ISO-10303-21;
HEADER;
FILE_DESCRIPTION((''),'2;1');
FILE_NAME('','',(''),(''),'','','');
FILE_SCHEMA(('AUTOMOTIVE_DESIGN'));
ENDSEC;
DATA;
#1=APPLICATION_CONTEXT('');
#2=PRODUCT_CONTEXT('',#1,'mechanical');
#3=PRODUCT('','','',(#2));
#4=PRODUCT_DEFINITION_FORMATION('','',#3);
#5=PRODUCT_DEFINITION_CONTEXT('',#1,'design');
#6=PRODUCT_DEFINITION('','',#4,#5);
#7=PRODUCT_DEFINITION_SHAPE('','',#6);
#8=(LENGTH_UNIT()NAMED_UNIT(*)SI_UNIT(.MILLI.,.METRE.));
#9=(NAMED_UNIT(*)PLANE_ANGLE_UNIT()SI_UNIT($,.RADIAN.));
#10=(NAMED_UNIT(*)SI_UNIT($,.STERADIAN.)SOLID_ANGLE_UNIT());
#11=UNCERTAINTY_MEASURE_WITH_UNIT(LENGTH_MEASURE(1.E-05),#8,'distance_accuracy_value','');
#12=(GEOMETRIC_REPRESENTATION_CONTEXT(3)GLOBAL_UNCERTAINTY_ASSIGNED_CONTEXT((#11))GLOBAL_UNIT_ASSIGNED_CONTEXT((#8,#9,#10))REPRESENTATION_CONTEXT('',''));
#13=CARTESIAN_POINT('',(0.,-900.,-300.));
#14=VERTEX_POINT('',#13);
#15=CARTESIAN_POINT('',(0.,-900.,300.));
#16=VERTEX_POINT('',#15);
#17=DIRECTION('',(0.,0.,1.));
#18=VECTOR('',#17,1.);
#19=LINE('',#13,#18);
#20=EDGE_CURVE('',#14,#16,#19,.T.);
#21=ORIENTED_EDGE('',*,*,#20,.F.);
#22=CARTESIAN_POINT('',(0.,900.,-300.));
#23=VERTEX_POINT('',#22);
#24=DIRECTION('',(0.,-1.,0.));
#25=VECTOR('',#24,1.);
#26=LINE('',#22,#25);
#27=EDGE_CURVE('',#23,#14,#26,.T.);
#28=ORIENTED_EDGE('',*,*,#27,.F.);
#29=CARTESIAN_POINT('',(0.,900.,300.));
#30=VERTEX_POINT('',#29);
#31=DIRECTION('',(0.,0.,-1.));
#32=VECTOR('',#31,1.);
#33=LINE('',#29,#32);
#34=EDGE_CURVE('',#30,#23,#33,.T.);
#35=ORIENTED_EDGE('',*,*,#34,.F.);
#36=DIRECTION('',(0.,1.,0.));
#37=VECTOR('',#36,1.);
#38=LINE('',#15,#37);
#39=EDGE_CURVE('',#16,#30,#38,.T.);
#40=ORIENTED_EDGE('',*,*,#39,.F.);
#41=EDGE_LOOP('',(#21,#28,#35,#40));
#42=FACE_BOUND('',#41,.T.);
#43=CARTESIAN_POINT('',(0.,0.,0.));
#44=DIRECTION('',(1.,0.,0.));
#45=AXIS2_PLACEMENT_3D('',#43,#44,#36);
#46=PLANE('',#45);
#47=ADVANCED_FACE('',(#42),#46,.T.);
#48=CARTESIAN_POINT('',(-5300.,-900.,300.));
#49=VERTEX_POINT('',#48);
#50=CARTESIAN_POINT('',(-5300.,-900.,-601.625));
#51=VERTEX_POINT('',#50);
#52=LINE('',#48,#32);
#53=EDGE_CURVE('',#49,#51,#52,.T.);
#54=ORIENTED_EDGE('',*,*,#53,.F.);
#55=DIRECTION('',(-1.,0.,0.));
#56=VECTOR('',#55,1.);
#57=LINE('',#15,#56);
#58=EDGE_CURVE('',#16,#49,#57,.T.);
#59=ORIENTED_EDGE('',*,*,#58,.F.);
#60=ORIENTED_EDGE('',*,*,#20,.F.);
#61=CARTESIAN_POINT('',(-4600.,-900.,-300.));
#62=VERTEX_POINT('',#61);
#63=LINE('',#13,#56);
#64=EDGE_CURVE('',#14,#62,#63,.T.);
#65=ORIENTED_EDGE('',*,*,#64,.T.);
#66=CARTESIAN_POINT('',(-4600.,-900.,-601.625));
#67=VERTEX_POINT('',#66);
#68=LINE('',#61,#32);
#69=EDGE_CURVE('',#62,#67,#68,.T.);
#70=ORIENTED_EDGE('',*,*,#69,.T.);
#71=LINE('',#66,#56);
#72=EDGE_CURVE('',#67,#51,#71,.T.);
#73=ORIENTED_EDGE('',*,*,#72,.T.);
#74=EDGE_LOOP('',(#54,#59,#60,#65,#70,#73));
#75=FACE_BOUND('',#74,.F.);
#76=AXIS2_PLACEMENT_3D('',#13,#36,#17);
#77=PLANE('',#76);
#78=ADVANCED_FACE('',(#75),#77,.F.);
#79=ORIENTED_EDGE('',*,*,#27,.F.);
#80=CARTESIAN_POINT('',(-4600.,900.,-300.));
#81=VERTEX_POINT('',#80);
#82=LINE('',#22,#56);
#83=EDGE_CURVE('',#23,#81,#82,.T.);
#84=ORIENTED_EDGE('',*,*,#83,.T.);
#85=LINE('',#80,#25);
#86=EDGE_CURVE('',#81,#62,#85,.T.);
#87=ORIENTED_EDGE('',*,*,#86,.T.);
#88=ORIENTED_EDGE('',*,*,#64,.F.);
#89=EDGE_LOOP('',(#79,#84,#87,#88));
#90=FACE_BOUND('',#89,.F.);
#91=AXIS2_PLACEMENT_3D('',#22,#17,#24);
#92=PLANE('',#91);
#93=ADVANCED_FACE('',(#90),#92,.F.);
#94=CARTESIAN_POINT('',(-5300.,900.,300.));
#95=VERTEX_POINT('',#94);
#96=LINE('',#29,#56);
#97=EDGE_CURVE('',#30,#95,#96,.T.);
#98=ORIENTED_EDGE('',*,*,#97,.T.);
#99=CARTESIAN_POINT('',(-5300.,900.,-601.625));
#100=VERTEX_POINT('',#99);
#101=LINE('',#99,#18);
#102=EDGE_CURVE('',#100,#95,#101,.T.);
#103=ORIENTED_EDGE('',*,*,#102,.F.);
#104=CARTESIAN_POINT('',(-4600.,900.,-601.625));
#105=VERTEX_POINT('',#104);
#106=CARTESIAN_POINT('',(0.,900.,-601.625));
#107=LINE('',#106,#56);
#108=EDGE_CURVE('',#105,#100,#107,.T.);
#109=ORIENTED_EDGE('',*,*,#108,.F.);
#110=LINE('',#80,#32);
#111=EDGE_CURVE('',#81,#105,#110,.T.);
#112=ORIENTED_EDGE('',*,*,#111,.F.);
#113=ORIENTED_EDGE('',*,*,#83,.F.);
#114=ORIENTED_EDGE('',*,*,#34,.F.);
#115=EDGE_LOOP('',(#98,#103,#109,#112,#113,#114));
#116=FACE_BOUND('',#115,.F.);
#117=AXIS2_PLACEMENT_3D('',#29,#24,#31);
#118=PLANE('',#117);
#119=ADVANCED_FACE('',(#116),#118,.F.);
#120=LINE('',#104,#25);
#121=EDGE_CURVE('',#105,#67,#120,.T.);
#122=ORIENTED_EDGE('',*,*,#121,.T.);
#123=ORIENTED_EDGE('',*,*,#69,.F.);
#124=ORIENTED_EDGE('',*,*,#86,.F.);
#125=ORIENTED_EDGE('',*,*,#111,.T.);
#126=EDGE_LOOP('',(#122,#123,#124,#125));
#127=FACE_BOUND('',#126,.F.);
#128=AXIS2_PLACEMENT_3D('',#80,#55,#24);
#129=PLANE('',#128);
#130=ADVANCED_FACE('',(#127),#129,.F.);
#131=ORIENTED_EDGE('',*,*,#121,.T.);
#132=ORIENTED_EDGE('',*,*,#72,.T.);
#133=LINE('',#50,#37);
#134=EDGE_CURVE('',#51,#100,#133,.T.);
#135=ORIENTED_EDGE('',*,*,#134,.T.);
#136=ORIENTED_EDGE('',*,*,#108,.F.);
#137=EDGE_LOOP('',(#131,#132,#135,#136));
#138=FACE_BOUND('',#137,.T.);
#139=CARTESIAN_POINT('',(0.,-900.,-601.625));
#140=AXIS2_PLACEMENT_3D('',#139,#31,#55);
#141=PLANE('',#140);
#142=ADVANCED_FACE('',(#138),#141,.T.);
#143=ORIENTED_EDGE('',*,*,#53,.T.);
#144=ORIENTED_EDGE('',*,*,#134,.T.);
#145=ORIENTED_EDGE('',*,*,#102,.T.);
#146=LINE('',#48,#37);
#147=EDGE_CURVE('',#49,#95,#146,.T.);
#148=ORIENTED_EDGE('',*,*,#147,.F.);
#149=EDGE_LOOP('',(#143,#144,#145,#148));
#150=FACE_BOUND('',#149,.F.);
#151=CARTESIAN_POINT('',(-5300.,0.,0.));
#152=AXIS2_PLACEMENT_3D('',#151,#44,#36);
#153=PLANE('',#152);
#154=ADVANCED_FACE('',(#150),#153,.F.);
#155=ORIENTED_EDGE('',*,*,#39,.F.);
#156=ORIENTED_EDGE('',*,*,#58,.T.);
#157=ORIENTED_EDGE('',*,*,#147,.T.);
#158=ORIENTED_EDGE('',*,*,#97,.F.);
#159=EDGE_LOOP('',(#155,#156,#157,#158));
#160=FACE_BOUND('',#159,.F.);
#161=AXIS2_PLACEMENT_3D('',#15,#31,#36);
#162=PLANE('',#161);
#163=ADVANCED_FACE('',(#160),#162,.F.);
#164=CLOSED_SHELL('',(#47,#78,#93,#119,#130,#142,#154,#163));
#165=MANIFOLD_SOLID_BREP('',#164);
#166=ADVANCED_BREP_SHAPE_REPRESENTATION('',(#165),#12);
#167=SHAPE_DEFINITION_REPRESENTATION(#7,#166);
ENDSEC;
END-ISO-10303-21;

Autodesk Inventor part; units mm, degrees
ref_plane "YZ Plane" through (0, 0, 0) normal (1, 0, 0) x (0, 1, 0)
ref_plane "XZ Plane" through (0, 0, 0) normal (0, 1, 0) x (-1, 0, 0)
ref_plane "XY Plane" through (0, 0, 0) normal (0, 0, 1) x (1, 0, 0)
sketch "Sketch1" plane through (0, 0, 0) normal (1, 0, 0) x (0, 1, 0)
  line L0 (-900, 300) -> (900, 300)
  line L1 (900, 300) -> (900, -300)
  line L2 (900, -300) -> (-900, -300)
  line L3 (-900, -300) -> (-900, 300)
  line L4 (-900, 300) -> (900, -300) construction
  line L5 (900, 300) -> (-900, -300) construction
  point P0 (0, 0)
  dimension "d0" = 1800
  dimension "d1" = 600
extrude "Extrusion1" add sketch "Sketch1" against normal blind 5300
sketch "Sketch2" plane through (0, -900, -300) normal (0, 0, -1) x (-1, 0, 0)
  line L0 (0, 1800) -> (5300, 1800) projected
  line L1 (5300, 1800) -> (4600, 1800)
  line L2 (4600, 1800) -> (4600, 0)
  line L3 (4600, 0) -> (5300, 0)
  line L4 (5300, 0) -> (5300, 1800)
  point P0 (0, 900)
  dimension "d4" = 700
extrude "Extrusion2" add sketch "Sketch2" along normal blind 301.625
sketch "Sketch4" plane through (-5300, 0, 0) normal (-1, 0, 0) x (0, 0, 1)
  line L0 (300, -900) -> (300, 900) construction
  line L1 (300, 900) -> (0, 900) construction
  line L2 (300, 900) -> (-601.625, 900) construction
  line L3 (0, 900) -> (0, 1301.6) construction
  line L4 (0, 900) -> (401.6, 900) construction
  point P0 (0, 0)
  dimension "d10" = 300
  dimension "d11" = 401.6
  dimension "d12" = 90
equation "\"d0\" = serv_h"
equation "\"d1\" = serv_w"
equation "\"d4\" = bump_w"
equation "\"d5\" = bump_e"
equation "\"d10\" = 0.5 * serv_w"
equation "\"d11\" = tray_h + leg_e"
equation "\"serv_h\" = 1800"
equation "\"serv_w\" = 600"
equation "\"serv_e\" = 5300"
equation "\"bump_w\" = 700"
equation "\"bump_e\" = 301.625"
equation "\"tray_h\" = 101.6"
equation "\"leg_e\" = 300"
properties part number "ServerCabinetLeft"
